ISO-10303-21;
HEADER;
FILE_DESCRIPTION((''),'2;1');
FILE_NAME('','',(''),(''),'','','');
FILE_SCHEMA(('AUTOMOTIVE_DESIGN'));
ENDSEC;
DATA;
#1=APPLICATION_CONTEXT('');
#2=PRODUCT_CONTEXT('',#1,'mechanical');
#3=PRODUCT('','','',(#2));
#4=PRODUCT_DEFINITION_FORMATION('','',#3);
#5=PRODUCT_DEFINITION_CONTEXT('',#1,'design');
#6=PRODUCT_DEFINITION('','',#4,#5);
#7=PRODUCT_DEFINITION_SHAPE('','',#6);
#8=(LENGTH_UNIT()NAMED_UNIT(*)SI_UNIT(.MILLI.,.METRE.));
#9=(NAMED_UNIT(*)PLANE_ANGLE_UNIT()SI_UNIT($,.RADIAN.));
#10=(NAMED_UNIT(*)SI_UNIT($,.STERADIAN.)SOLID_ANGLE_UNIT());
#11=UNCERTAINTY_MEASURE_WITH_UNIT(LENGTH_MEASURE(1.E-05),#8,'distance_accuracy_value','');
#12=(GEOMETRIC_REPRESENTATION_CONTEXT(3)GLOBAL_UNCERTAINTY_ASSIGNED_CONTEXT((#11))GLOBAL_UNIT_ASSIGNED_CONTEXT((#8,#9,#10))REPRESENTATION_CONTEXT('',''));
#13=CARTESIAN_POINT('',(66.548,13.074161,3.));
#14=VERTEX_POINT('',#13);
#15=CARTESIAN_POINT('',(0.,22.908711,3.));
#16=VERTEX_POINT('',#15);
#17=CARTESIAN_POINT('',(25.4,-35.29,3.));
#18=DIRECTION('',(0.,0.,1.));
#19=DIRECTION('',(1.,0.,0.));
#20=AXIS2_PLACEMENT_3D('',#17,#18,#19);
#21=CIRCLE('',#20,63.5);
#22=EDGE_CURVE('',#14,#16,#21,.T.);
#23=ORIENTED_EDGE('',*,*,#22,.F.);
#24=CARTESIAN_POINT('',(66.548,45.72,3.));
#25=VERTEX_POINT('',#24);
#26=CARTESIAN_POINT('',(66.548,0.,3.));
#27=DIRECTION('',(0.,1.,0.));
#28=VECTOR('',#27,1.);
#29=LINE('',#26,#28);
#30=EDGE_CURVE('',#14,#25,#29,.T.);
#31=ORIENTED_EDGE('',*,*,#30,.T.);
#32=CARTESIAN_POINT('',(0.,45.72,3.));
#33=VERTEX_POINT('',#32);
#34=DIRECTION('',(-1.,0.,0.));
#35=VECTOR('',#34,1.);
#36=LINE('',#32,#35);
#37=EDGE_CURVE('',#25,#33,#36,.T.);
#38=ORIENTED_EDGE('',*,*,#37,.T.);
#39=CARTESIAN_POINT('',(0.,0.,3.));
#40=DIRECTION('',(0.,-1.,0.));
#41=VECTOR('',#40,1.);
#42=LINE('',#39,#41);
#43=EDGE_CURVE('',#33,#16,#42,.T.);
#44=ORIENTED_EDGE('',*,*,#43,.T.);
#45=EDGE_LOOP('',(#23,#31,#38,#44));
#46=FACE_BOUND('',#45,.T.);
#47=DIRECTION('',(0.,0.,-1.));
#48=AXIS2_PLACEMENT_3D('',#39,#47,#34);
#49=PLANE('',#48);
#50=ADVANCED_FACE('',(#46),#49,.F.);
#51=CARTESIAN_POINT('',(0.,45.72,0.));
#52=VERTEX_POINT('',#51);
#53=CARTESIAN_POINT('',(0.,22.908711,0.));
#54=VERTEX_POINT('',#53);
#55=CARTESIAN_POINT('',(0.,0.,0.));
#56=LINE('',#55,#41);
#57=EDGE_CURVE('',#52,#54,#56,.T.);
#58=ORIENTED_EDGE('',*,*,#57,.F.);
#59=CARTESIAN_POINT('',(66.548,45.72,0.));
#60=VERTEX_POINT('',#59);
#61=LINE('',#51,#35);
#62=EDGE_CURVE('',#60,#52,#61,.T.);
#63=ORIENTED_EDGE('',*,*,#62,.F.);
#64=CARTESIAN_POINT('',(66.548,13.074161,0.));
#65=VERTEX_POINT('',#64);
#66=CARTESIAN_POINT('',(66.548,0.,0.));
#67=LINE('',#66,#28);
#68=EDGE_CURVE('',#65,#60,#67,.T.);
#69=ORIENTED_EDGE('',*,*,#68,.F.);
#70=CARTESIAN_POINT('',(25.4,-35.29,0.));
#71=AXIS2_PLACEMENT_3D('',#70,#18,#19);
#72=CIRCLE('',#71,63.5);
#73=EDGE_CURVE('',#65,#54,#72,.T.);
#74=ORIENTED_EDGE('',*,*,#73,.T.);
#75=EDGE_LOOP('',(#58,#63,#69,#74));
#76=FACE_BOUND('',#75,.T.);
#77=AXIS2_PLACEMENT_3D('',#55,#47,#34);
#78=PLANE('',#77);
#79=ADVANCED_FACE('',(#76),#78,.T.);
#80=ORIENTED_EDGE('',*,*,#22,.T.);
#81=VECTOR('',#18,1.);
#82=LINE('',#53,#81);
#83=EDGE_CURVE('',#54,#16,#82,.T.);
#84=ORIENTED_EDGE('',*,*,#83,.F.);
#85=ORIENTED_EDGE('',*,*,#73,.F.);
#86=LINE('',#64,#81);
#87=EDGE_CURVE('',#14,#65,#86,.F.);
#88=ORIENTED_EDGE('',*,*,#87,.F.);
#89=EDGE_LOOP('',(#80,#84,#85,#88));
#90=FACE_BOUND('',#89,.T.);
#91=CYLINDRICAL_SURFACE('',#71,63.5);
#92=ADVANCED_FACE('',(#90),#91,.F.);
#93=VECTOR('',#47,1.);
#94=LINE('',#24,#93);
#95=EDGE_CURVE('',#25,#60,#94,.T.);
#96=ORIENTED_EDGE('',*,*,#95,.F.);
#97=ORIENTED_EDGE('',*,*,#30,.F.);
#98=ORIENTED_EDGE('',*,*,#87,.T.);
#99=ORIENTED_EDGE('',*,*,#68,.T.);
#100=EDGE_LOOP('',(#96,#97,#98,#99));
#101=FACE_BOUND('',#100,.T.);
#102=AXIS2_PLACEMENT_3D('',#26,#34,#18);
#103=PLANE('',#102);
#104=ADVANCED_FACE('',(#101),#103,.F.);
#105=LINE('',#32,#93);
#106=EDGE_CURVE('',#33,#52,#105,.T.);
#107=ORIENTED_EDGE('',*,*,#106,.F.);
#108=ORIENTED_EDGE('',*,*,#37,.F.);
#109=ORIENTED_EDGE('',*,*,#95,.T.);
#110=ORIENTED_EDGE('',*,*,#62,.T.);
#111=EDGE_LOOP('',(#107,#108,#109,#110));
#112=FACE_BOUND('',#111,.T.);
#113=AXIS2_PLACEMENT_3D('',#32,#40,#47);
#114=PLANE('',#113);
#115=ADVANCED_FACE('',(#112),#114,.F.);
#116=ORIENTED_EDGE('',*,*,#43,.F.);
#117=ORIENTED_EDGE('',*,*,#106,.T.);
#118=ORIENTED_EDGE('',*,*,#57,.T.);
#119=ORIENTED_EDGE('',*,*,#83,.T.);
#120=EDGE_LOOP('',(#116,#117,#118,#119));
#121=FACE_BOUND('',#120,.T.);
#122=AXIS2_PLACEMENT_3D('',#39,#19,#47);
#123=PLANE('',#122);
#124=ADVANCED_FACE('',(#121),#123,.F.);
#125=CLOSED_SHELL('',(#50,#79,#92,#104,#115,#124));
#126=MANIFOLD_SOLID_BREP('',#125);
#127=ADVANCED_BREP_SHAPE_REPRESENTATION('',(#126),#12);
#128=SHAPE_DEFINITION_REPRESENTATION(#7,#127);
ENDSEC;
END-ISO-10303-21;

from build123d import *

# Parameters (mm, degrees)
SKETCH1_W           = 66.548
SKETCH1_H           = 45.72
BOSS_EXTRUDE1_DEPTH = 3
SKETCH2_R           = 63.5
CUT_EXTRUDE1_DEPTH  = 81.795759196


with BuildPart() as part:
    # Sketch1 → Boss-Extrude1 (new body)
    with BuildSketch(Plane.XY):
        with Locations((33.274, 22.86)):
            Rectangle(SKETCH1_W, SKETCH1_H)
    extrude(amount=BOSS_EXTRUDE1_DEPTH)

    # Sketch2 → Cut-Extrude1 (cut, through all)
    with BuildSketch(Plane.XY.offset(3)):
        with Locations((25.4, -35.29)):
            Circle(SKETCH2_R)
    extrude(amount=-CUT_EXTRUDE1_DEPTH, mode=Mode.SUBTRACT)


solid = part.part
